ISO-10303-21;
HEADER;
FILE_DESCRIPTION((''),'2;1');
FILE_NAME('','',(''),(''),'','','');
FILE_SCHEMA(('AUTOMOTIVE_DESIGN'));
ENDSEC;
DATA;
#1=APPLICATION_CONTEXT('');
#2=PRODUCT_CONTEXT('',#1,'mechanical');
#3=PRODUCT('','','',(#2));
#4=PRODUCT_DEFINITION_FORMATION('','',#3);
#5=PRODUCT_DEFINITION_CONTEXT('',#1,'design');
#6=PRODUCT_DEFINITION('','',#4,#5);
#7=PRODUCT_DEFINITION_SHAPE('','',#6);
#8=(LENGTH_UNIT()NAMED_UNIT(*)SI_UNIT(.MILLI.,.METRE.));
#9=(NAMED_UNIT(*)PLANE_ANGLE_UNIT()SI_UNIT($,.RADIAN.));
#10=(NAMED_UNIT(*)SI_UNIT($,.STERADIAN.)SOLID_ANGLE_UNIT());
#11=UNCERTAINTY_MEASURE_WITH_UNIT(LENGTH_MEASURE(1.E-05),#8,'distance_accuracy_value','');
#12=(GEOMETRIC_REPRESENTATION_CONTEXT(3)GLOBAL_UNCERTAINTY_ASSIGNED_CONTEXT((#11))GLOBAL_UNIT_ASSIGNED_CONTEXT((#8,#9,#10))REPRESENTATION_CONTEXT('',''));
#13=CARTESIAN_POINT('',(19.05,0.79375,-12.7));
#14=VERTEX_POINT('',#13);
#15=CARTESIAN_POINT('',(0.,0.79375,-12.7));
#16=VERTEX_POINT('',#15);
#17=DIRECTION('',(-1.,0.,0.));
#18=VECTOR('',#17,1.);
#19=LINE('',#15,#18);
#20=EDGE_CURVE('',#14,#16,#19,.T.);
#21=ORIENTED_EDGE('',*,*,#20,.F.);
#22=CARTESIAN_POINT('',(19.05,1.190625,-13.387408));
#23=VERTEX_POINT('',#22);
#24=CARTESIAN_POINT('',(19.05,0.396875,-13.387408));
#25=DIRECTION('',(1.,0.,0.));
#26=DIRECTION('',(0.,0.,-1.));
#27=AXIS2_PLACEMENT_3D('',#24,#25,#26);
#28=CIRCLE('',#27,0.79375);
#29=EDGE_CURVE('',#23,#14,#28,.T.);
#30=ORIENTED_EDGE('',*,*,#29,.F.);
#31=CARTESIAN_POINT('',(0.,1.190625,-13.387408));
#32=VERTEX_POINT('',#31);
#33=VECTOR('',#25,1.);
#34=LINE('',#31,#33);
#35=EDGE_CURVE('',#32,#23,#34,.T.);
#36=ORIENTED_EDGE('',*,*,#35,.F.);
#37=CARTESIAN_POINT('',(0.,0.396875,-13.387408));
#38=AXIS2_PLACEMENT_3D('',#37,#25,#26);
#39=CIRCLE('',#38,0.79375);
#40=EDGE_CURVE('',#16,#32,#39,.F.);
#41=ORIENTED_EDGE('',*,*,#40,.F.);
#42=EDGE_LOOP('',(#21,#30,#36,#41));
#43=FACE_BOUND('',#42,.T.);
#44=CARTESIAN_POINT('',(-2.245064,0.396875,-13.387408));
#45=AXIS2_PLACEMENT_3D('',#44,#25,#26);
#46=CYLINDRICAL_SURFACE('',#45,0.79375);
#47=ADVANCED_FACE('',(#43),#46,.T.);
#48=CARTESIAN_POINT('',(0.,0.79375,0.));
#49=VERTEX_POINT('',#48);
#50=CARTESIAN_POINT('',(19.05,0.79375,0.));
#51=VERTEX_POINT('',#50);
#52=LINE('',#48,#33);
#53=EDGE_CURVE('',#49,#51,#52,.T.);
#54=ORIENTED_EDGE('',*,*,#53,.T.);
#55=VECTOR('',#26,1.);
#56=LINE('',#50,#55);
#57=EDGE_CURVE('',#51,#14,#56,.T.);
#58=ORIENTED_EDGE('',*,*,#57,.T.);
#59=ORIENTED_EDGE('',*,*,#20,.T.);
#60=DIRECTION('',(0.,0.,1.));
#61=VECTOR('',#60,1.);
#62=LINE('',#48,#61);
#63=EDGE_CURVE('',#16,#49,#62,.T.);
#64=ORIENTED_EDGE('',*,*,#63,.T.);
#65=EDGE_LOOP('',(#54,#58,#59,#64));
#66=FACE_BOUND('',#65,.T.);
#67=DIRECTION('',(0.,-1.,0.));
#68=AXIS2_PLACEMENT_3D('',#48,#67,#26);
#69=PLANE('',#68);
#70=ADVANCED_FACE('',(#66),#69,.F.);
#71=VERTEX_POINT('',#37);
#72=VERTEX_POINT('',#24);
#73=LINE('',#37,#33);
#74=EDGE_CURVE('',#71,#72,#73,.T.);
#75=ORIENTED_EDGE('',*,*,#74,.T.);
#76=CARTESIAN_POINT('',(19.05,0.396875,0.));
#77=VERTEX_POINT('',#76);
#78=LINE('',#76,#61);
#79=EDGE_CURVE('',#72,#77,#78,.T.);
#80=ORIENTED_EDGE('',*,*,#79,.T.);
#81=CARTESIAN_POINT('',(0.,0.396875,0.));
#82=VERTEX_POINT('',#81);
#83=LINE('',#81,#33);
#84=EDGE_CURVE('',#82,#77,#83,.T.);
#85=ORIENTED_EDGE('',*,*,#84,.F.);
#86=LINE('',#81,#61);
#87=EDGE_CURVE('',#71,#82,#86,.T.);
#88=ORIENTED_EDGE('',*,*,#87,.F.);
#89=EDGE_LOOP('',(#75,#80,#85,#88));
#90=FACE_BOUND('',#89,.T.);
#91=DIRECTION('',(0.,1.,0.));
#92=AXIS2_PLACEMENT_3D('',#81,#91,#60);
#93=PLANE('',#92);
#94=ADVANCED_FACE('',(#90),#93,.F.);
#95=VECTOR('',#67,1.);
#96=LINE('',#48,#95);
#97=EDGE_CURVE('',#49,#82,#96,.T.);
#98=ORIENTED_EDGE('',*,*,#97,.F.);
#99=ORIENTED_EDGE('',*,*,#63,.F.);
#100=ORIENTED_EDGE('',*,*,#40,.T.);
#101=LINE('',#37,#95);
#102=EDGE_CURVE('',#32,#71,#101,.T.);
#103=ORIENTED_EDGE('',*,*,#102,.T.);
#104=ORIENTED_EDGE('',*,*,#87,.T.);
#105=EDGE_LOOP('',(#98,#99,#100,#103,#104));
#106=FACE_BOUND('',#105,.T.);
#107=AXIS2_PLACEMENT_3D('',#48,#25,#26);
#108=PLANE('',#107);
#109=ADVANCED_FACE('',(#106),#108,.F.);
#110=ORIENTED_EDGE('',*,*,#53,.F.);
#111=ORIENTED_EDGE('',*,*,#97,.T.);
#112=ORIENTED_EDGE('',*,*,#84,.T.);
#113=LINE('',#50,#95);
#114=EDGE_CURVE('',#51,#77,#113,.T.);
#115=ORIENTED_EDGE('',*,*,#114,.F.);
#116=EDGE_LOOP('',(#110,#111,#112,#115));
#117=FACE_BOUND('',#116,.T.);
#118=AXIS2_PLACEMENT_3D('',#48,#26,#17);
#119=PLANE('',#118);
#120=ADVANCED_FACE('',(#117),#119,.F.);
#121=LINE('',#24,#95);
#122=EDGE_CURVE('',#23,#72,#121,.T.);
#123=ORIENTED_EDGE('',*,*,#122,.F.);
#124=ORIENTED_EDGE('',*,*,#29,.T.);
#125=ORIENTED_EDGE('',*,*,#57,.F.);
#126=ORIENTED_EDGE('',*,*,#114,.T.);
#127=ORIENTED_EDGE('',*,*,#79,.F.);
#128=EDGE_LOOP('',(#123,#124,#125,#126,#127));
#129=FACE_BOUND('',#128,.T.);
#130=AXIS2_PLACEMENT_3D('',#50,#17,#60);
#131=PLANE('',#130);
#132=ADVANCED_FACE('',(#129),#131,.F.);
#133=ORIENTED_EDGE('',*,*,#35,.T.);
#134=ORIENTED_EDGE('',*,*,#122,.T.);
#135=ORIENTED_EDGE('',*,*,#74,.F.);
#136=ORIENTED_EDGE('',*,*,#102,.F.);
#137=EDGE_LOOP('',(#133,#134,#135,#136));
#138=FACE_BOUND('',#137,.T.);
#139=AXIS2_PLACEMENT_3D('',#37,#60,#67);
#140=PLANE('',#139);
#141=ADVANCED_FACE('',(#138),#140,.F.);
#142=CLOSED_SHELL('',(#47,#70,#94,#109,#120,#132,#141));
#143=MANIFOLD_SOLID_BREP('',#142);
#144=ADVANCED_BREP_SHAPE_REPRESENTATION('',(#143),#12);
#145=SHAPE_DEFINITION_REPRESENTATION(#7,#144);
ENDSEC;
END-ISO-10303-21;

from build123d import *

# Parameters (mm, degrees)
SKETCH1_W           = 19.05
SKETCH1_H           = 12.7
BOSS_EXTRUDE1_DEPTH = 0.79375
SKETCH2_R           = 0.79375
BOSS_EXTRUDE2_DEPTH = 19.05
CUT_EXTRUDE2_DEPTH  = 20.05


with BuildPart() as part:
    # Sketch1 → Boss-Extrude1 (new body)
    with BuildSketch(Plane(origin=(0, 0, 0), x_dir=(1, 0, 0), z_dir=(0, 1, 0))):
        with Locations((9.525, 6.35)):
            Rectangle(SKETCH1_W, SKETCH1_H)
    extrude(amount=BOSS_EXTRUDE1_DEPTH)

    # Sketch2 → Boss-Extrude2 (add)
    with BuildSketch(Plane(origin=(19.05, 0, 0), x_dir=(0, 0, -1), z_dir=(1, 0, 0))):
        with Locations((13.387407664, 0.396875)):
            Circle(SKETCH2_R)
    extrude(amount=-BOSS_EXTRUDE2_DEPTH)

    # Sketch4 → Cut-Extrude2 (cut, through all)
    with BuildSketch(Plane(origin=(19.05, 0, 0), x_dir=(0, 0, -1), z_dir=(1, 0, 0))):
        Polygon((0, 0.396875), (13.387407664, 0.396875), (13.387407664, 1.190625), (14.181157664, 1.190625), (14.181157664, -0.396875), (0, -0.396875), align=None)
    extrude(amount=-CUT_EXTRUDE2_DEPTH, mode=Mode.SUBTRACT)


solid = part.part
